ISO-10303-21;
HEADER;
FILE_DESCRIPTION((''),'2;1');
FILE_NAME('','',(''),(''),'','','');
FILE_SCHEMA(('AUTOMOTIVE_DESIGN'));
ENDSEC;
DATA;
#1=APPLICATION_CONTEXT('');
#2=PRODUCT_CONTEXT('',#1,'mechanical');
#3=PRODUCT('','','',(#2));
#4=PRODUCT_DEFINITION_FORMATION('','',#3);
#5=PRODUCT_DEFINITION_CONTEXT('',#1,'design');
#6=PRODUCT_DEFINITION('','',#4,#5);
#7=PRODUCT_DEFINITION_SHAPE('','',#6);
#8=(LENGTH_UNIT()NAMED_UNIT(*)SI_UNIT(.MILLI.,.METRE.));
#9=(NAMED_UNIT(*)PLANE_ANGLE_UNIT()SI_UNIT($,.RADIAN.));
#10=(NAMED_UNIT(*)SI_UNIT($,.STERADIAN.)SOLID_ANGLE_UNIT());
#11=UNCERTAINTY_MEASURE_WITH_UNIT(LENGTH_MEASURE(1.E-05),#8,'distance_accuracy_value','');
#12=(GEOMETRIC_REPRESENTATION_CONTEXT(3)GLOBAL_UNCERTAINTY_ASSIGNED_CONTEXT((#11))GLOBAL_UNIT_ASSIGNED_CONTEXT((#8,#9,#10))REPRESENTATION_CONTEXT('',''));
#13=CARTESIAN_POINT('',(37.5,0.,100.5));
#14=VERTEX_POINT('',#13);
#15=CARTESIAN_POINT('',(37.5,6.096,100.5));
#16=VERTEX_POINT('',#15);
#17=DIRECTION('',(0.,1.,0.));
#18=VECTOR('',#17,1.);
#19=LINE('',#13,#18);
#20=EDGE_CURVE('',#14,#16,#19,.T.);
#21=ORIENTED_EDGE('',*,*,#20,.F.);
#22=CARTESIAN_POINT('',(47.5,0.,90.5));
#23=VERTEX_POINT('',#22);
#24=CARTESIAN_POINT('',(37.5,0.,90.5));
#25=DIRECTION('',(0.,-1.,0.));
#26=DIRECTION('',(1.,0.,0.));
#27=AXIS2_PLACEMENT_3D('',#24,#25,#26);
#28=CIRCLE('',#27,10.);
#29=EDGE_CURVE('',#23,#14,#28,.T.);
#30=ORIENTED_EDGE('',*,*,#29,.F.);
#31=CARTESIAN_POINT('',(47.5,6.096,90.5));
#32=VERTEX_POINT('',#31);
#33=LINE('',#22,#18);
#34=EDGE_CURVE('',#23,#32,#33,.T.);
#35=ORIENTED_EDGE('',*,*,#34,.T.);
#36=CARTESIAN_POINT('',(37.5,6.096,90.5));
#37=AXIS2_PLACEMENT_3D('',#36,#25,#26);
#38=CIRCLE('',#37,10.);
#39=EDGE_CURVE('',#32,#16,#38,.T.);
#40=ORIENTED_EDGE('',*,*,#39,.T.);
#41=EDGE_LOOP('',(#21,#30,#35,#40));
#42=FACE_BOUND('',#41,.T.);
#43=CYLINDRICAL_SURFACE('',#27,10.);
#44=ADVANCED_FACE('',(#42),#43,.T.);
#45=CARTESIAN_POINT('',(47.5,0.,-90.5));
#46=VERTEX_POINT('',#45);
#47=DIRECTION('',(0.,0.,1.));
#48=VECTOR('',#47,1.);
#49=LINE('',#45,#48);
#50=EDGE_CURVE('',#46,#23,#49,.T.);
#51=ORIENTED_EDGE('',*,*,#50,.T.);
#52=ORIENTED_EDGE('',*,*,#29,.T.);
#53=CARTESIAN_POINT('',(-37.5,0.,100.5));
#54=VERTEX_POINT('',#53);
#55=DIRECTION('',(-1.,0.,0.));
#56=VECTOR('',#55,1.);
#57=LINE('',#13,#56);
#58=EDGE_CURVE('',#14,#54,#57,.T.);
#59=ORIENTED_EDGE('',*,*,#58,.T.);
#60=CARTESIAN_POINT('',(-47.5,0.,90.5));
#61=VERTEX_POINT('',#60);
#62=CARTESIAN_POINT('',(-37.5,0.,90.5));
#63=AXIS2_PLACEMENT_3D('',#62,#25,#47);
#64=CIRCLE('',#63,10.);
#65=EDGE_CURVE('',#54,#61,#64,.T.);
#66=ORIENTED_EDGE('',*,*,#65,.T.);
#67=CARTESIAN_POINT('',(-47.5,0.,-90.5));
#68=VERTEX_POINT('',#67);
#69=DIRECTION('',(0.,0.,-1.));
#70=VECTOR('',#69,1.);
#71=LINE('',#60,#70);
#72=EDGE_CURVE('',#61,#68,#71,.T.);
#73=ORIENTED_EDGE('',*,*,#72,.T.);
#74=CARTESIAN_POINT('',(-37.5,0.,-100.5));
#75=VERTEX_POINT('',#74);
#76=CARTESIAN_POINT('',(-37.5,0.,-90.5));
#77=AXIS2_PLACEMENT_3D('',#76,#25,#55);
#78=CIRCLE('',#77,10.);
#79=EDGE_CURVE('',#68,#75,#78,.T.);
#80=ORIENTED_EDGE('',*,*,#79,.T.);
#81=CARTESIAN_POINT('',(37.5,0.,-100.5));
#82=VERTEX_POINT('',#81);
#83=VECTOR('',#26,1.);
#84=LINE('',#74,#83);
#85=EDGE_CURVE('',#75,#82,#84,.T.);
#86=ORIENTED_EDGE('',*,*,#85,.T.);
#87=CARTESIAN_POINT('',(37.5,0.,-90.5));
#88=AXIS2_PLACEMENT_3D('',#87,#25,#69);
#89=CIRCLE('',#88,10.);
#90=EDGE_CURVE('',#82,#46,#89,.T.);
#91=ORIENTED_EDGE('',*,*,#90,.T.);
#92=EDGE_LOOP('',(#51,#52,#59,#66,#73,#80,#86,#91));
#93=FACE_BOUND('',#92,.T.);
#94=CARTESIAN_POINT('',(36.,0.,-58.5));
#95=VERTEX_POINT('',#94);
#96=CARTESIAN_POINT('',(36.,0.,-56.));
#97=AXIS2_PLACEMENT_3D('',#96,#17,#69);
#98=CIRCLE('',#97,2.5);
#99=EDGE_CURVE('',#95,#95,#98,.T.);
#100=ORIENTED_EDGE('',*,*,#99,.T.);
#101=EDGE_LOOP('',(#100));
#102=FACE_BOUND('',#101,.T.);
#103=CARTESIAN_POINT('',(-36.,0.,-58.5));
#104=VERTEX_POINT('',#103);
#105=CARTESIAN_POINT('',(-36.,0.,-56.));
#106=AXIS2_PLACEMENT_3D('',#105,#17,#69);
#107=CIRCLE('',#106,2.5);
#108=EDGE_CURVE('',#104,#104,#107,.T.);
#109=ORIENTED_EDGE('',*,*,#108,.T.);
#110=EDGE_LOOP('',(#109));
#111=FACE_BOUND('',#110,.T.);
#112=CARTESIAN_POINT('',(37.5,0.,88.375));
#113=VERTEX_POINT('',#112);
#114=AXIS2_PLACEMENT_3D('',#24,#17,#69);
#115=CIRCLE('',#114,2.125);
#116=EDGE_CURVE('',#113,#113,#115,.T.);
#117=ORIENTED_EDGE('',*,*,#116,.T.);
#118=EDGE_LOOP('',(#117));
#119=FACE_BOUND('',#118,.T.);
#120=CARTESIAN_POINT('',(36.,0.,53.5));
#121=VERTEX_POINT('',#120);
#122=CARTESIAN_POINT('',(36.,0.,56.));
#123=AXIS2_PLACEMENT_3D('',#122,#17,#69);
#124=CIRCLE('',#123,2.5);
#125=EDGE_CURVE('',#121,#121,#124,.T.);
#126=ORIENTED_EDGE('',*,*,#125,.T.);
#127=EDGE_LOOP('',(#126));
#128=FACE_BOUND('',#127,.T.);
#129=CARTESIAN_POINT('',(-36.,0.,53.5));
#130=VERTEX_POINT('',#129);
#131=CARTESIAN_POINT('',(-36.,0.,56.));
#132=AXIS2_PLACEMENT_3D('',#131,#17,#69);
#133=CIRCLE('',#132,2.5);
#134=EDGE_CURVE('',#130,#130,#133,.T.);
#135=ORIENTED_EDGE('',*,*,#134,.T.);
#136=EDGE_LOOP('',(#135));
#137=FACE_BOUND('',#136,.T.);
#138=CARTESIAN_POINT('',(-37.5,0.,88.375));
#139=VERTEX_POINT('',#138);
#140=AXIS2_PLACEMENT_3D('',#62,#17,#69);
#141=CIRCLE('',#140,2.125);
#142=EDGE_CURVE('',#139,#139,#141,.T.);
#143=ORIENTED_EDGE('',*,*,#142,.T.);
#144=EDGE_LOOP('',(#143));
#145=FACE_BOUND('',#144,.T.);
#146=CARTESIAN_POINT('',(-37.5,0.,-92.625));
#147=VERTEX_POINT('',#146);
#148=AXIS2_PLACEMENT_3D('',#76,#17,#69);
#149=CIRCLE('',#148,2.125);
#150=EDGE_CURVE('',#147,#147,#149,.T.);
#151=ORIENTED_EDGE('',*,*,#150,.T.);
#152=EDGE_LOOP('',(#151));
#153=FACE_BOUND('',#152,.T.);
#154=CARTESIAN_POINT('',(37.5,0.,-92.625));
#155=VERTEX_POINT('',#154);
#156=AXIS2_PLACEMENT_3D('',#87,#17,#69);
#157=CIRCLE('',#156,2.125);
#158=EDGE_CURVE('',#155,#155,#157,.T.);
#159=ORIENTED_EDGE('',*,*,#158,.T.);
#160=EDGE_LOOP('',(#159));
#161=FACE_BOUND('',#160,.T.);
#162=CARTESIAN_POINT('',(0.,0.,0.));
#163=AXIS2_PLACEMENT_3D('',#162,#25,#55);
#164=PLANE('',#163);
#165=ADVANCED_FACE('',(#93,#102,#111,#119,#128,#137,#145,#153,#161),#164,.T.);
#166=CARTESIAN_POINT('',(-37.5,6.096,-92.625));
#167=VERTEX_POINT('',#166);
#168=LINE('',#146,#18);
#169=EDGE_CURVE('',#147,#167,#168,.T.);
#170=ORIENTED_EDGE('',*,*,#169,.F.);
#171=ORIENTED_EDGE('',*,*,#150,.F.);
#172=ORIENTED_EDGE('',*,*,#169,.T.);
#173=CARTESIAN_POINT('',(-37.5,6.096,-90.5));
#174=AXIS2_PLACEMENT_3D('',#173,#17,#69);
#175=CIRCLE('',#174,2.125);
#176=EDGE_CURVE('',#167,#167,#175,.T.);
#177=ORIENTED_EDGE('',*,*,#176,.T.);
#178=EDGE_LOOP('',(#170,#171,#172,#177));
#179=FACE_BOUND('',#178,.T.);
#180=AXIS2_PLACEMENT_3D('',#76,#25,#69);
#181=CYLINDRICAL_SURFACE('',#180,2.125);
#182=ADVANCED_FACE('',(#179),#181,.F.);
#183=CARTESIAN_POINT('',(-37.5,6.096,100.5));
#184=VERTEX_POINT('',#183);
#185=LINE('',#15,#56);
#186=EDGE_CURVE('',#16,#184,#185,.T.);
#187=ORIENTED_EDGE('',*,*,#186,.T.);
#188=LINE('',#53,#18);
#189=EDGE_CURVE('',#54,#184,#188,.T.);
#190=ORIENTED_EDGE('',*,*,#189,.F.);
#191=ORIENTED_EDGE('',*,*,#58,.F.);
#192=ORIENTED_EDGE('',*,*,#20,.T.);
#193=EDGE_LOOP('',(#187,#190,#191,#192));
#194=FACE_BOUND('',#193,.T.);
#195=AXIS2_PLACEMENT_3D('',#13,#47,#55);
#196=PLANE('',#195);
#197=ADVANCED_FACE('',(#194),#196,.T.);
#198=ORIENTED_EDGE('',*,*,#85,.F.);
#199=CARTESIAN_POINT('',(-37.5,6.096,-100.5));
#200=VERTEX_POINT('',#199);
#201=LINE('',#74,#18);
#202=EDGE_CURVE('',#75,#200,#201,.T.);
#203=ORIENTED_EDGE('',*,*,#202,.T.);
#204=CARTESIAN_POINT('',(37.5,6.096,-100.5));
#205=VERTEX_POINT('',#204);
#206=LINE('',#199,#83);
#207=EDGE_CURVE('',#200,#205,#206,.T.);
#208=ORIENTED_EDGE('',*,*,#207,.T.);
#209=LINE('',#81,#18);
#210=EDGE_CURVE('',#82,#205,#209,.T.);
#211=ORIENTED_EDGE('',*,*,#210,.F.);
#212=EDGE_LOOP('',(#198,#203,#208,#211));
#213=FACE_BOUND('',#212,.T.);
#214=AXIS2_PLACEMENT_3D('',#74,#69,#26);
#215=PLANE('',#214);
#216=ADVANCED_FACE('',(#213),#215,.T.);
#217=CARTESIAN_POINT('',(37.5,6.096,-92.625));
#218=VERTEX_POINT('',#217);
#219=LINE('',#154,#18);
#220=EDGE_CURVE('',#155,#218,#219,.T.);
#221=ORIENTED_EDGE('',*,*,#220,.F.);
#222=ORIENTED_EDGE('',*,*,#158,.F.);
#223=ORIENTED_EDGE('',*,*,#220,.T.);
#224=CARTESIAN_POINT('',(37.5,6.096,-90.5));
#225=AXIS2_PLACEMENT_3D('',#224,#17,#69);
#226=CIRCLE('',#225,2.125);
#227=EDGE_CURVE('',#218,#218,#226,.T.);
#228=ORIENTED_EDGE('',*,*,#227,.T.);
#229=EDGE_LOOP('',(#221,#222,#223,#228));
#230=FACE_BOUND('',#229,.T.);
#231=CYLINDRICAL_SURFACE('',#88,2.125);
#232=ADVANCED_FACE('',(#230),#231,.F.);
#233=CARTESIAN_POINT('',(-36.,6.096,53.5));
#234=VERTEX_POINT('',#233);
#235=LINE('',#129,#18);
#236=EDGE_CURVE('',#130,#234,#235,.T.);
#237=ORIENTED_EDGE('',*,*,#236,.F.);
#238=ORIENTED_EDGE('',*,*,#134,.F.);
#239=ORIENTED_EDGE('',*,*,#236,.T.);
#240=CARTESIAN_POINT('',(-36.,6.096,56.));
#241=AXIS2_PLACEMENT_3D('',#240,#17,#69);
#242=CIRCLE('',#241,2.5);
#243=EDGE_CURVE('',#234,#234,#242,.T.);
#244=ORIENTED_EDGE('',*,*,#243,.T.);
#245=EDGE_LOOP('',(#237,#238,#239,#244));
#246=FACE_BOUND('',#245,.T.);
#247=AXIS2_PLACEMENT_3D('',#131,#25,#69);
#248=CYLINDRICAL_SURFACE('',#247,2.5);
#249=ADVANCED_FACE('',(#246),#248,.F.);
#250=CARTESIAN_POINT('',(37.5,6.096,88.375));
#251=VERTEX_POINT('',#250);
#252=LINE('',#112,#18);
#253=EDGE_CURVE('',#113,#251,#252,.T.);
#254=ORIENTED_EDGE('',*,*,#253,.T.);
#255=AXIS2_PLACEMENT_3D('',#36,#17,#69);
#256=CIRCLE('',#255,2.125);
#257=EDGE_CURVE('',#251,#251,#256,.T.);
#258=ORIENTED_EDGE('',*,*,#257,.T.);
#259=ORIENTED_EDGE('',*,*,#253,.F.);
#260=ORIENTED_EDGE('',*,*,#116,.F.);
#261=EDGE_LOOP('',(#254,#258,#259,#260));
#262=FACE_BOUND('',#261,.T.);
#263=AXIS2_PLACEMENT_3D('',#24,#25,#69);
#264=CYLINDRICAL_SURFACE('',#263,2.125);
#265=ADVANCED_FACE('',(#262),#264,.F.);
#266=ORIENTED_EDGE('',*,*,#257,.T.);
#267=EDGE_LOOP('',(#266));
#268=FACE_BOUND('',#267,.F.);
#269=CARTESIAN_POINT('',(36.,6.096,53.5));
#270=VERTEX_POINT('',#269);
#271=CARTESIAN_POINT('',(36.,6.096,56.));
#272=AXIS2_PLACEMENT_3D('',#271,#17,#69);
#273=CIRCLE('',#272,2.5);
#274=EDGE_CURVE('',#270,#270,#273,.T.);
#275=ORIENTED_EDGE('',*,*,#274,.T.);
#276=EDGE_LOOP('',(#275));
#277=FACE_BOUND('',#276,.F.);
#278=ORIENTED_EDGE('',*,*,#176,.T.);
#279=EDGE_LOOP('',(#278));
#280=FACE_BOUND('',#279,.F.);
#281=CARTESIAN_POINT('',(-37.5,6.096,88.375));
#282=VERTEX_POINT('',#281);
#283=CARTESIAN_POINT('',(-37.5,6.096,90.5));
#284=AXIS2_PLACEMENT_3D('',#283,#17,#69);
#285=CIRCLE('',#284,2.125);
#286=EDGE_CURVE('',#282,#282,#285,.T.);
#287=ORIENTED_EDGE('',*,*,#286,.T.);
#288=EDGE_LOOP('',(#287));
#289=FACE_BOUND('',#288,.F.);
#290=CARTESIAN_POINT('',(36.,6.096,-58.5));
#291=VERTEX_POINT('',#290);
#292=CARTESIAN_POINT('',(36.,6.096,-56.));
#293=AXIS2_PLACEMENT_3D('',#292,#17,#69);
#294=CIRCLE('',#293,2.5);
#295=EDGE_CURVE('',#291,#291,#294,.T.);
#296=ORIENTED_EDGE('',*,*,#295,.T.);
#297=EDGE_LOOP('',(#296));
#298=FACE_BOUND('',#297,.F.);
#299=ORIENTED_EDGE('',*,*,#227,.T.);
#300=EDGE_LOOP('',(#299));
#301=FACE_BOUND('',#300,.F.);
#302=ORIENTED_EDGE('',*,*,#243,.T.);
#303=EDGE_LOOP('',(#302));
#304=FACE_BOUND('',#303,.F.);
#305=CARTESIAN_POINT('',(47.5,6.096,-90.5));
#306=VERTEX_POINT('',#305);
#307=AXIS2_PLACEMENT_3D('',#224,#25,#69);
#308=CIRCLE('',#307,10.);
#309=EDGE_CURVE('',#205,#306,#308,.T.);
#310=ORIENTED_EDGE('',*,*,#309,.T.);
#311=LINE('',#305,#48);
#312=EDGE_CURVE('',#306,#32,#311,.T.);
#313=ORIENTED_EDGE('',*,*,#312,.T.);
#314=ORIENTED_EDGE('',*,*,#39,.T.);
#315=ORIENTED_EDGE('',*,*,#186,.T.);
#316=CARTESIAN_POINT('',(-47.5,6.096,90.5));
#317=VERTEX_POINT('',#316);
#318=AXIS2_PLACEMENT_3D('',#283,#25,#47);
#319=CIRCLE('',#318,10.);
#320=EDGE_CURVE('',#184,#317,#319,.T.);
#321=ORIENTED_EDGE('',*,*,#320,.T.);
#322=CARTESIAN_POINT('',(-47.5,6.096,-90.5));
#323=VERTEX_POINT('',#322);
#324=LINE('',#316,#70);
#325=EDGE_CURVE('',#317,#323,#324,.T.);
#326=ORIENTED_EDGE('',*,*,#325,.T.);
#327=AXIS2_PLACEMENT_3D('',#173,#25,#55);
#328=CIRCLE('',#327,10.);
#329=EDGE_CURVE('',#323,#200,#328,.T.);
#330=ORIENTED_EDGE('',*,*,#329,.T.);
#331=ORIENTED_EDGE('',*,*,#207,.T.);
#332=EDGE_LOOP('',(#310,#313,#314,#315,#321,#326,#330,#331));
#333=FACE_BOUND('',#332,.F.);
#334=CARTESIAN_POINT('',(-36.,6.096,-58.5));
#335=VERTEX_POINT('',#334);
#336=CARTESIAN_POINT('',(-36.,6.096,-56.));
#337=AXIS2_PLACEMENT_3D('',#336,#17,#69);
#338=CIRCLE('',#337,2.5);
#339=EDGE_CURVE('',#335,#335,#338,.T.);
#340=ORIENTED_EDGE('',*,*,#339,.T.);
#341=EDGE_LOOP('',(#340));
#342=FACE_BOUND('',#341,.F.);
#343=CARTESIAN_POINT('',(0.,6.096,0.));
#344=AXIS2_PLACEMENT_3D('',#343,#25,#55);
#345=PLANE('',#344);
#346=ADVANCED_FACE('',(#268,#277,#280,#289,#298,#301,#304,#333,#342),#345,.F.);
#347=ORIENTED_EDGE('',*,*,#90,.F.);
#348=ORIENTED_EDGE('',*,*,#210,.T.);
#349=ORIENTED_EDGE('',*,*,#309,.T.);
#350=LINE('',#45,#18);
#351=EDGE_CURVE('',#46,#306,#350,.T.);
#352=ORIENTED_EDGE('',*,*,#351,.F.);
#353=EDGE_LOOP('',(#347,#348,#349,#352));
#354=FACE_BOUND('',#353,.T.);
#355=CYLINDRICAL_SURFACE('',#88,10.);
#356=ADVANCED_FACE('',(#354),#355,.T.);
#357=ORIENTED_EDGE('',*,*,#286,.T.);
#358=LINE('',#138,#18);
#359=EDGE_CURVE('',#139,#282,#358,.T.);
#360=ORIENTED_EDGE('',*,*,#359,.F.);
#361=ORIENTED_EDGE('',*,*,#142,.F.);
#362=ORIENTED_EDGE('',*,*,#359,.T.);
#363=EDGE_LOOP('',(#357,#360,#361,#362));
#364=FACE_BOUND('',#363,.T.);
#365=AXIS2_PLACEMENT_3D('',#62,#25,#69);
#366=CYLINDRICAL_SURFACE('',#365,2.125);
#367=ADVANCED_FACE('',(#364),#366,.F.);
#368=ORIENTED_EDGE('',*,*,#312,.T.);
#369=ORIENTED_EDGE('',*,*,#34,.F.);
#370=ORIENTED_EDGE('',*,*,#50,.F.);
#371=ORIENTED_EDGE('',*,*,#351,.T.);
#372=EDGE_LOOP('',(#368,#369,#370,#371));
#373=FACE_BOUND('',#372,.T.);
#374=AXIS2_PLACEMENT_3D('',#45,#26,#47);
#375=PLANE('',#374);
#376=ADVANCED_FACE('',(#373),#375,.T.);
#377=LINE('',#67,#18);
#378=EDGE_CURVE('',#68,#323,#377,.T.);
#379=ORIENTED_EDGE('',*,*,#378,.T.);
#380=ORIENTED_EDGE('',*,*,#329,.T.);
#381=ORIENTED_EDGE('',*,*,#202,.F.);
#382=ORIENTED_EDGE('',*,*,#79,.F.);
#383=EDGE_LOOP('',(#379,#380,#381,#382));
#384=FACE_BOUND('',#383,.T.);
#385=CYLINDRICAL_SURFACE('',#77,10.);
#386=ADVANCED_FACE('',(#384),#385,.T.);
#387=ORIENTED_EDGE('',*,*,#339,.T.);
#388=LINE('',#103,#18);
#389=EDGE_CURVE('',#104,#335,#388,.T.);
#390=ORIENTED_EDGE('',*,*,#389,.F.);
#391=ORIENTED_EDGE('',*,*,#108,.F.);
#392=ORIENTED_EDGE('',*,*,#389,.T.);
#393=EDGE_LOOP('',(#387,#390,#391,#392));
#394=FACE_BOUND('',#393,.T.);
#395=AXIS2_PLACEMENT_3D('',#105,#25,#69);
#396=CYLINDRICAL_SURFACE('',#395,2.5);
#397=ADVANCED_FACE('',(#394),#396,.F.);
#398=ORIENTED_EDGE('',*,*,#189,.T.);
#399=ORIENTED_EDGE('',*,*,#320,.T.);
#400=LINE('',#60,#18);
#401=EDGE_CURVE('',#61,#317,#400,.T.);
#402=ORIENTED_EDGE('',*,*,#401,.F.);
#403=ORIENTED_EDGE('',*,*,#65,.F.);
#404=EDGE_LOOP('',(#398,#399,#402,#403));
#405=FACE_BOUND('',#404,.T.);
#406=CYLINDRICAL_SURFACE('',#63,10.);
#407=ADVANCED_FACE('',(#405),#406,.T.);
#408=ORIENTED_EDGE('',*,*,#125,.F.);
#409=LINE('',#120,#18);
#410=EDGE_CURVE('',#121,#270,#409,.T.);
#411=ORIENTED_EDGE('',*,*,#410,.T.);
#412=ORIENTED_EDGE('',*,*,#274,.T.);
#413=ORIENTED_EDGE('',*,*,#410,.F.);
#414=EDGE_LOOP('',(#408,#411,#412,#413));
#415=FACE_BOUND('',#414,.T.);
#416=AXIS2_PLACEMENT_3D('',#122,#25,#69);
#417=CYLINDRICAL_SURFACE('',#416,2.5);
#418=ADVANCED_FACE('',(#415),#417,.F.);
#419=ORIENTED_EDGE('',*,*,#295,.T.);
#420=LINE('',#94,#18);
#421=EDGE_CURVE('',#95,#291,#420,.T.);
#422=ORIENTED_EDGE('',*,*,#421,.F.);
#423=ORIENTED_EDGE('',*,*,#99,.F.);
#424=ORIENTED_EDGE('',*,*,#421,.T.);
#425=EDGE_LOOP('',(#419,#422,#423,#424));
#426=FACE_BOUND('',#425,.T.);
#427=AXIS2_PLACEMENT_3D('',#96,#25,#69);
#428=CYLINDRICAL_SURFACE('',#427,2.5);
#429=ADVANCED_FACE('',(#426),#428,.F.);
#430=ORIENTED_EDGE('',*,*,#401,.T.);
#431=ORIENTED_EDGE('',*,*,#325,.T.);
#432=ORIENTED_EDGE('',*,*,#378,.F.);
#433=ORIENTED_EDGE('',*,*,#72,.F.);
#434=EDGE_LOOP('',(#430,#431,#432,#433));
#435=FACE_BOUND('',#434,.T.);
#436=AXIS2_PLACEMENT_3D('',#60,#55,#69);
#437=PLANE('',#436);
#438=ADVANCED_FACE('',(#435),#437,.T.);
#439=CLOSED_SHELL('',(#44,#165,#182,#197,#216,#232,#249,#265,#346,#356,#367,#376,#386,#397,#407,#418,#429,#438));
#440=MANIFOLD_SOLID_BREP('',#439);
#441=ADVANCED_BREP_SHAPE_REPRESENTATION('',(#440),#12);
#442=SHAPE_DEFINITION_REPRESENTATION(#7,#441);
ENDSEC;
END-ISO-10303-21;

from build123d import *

# Parameters (mm, degrees)
SKETCH1_R           = 2.5
SKETCH1_R_2         = 2.125
BOSS_EXTRUDE1_DEPTH = 6.096


with BuildPart() as part:
    # Sketch1 → Boss-Extrude1 (new body)
    with BuildSketch(Plane(origin=(0, 0, 0), x_dir=(1, 0, 0), z_dir=(0, 1, 0))):
        with BuildLine():
            Line((-37.5, 100.5), (37.5, 100.5))
            ThreePointArc((37.5, 100.5), (44.571067812, 97.571067812), (47.5, 90.5))
            Line((47.5, 90.5), (47.5, -90.5))
            ThreePointArc((47.5, -90.5), (44.571067812, -97.571067812), (37.5, -100.5))
            Line((37.5, -100.5), (-37.5, -100.5))
            ThreePointArc((-37.5, -100.5), (-44.571067812, -97.571067812), (-47.5, -90.5))
            Line((-47.5, -90.5), (-47.5, 90.5))
            ThreePointArc((-47.5, 90.5), (-44.571067812, 97.571067812), (-37.5, 100.5))
        make_face()
        with Locations(Location((-36, 56, 0), (0, 0, 90))):
            Circle(SKETCH1_R, mode=Mode.SUBTRACT)
        with Locations(Location((36, 56, 0), (0, 0, 90))):
            Circle(SKETCH1_R, mode=Mode.SUBTRACT)
        with Locations(Location((36, -56, 0), (0, 0, 90))):
            Circle(SKETCH1_R, mode=Mode.SUBTRACT)
        with Locations(Location((-36, -56, 0), (0, 0, 90))):
            Circle(SKETCH1_R, mode=Mode.SUBTRACT)
        with Locations(Location((-37.5, 90.5, 0), (0, 0, 90))):
            Circle(SKETCH1_R_2, mode=Mode.SUBTRACT)
        with Locations(Location((37.5, 90.5, 0), (0, 0, 90))):
            Circle(SKETCH1_R_2, mode=Mode.SUBTRACT)
        with Locations(Location((37.5, -90.5, 0), (0, 0, 90))):
            Circle(SKETCH1_R_2, mode=Mode.SUBTRACT)
        with Locations(Location((-37.5, -90.5, 0), (0, 0, 90))):
            Circle(SKETCH1_R_2, mode=Mode.SUBTRACT)
    extrude(amount=BOSS_EXTRUDE1_DEPTH)


solid = part.part
